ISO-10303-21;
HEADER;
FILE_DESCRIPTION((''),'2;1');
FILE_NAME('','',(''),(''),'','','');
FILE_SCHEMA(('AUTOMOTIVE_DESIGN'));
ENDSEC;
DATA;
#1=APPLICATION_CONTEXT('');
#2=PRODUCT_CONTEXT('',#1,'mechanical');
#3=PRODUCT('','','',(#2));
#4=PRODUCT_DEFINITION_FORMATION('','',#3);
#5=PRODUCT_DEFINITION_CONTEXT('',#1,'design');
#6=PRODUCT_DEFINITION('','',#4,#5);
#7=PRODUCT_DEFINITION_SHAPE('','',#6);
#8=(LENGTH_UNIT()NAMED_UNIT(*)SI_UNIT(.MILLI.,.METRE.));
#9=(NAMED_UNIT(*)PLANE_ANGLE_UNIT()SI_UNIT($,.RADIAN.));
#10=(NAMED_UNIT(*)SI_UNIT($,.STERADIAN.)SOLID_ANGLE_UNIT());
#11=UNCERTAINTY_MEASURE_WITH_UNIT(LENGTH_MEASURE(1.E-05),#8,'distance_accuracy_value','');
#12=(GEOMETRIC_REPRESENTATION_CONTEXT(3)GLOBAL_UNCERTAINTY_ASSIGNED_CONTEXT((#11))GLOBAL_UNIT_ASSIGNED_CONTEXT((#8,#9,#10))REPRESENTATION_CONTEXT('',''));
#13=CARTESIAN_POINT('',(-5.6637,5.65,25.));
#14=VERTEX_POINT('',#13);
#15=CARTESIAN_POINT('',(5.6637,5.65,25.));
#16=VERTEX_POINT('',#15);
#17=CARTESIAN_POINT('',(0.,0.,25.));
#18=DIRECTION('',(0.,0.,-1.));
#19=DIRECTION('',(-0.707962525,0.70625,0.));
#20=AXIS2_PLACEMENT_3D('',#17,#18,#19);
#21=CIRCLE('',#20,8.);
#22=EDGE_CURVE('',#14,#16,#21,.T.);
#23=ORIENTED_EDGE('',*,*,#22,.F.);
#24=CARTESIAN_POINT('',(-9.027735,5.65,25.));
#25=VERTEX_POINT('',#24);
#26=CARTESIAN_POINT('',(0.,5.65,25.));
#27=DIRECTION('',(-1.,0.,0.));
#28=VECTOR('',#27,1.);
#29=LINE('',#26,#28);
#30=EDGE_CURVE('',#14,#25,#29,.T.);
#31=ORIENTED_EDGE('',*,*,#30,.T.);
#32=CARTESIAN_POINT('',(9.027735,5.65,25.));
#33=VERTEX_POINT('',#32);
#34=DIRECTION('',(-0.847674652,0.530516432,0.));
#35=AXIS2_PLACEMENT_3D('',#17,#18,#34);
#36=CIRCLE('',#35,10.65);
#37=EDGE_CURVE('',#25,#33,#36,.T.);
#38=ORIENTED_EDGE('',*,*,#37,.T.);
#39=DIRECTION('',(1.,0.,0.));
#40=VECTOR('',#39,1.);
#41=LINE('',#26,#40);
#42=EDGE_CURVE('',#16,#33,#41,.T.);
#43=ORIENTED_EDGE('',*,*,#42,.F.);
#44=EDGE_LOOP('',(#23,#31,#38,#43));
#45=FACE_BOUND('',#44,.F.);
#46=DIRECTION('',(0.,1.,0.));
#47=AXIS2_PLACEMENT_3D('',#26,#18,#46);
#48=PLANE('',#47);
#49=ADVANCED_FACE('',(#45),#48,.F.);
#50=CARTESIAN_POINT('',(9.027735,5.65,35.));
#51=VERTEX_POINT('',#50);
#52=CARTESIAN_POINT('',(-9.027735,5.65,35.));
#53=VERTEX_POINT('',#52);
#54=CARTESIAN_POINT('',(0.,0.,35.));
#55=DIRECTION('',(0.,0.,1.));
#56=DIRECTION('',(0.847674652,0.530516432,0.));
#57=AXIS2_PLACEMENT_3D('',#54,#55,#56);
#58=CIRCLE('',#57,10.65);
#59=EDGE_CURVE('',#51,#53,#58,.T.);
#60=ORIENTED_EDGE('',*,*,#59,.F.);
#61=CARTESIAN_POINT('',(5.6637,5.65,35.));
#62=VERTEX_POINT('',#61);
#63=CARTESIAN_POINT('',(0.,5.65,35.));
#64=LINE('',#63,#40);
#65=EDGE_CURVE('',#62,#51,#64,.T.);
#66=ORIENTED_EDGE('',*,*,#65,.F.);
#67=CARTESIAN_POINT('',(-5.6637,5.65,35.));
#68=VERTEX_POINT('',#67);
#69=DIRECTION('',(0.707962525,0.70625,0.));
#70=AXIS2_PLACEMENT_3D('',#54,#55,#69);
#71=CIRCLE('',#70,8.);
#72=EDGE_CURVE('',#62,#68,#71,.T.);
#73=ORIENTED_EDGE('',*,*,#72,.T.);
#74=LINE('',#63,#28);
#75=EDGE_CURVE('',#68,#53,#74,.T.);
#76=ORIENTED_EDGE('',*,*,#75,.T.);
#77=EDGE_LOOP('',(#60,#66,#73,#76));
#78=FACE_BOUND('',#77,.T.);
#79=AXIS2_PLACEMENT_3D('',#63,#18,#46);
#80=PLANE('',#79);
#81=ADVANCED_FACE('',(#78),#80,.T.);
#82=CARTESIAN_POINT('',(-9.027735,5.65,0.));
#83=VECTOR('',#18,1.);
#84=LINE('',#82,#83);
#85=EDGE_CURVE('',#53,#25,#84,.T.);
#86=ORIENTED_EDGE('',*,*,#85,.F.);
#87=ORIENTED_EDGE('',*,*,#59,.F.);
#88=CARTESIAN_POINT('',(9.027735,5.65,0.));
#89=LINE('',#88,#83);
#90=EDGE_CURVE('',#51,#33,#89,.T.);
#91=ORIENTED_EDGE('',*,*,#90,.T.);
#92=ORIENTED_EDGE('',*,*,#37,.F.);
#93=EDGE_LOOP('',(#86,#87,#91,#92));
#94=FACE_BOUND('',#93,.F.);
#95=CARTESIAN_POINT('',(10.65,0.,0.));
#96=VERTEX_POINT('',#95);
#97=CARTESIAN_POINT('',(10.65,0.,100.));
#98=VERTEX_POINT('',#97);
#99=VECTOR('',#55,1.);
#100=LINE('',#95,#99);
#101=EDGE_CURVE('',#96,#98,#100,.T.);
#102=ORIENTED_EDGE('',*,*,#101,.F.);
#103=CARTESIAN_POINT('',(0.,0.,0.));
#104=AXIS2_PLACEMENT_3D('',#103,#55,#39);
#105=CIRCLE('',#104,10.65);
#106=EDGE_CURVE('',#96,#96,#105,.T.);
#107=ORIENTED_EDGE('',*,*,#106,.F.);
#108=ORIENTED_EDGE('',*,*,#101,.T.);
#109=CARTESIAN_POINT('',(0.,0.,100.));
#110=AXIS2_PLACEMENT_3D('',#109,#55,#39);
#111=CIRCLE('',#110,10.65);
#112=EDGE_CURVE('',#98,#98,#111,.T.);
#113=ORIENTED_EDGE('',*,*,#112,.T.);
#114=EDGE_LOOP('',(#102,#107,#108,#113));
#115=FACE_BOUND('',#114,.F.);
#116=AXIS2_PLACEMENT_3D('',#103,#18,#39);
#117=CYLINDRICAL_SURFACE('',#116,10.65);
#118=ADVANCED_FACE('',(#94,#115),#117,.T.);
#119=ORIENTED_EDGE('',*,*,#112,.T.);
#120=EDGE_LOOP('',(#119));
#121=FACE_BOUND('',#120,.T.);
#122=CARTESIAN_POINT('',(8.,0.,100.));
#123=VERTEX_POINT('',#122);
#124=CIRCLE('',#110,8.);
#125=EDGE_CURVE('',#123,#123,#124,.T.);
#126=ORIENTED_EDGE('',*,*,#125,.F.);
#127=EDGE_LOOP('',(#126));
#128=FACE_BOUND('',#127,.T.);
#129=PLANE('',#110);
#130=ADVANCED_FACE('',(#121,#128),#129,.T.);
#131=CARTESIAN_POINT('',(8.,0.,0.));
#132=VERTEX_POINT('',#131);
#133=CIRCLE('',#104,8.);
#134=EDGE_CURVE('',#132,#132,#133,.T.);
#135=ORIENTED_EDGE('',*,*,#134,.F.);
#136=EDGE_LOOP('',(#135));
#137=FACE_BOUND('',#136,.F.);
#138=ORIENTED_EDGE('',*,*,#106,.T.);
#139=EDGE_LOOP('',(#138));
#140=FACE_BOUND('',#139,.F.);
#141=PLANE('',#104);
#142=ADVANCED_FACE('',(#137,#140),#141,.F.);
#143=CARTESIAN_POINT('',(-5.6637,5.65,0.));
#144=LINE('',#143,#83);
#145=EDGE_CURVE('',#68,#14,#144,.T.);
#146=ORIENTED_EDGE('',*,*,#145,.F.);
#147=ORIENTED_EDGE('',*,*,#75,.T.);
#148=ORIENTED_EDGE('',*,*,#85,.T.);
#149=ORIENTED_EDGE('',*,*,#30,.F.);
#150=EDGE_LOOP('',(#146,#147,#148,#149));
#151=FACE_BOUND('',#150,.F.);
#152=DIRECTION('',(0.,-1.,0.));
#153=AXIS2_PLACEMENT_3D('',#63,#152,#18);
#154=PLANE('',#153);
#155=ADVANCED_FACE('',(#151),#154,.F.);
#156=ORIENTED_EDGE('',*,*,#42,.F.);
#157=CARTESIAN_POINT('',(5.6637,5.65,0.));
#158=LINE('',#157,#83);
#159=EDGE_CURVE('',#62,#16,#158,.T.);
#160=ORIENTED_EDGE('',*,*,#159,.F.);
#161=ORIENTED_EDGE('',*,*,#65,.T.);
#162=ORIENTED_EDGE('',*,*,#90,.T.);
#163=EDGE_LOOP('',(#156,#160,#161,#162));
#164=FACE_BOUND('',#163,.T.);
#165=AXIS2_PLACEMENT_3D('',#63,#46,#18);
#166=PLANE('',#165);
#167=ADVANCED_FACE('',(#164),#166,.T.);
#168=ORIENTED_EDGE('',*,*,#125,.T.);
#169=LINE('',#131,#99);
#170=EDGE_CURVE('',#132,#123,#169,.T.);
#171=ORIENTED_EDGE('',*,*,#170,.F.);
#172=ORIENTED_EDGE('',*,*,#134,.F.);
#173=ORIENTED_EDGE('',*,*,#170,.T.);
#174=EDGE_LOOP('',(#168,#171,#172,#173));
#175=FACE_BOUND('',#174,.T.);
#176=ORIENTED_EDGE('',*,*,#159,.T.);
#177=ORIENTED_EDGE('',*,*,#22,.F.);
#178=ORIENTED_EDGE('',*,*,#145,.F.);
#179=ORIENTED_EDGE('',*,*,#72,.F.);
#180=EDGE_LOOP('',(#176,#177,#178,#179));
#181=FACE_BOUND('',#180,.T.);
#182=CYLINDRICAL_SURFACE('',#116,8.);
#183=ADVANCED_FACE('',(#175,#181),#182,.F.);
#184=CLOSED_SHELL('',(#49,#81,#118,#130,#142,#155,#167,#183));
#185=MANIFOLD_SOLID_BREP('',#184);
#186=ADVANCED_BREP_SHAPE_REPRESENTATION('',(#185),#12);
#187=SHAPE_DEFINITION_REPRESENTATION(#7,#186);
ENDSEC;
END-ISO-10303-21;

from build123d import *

# Parameters (mm, degrees)
SKIZZE1_R                            = 10.65
SKIZZE1_R_2                          = 8
AUFSATZ_LINEAR_AUSTRAGEN1_DEPTH      = 100
SCHNITT_LINEAR_AUSTRAGEN1_DEPTH      = 10
SCHNITT_LINEAR_AUSTRAGEN1_DEPTH_BACK = 10
SKIZZE2_W                            = 10
SKIZZE2_H                            = 5


with BuildPart() as part:
    # Skizze1 → Aufsatz-Linear austragen1 (new body)
    with BuildSketch(Plane.XY):
        Circle(SKIZZE1_R)
        Circle(SKIZZE1_R_2, mode=Mode.SUBTRACT)
    extrude(amount=AUFSATZ_LINEAR_AUSTRAGEN1_DEPTH)

    # Skizze2 → Schnitt-Linear austragen1 (cut, two sides: drawn at the far end of the back side and taken through both)
    with BuildSketch(Plane(origin=(0, 0, 0), x_dir=(0, 0, -1), z_dir=(1, 0, 0)).offset(-SCHNITT_LINEAR_AUSTRAGEN1_DEPTH_BACK)):
        with Locations((-30, 8.15)):
            Rectangle(SKIZZE2_W, SKIZZE2_H)
    extrude(amount=SCHNITT_LINEAR_AUSTRAGEN1_DEPTH + SCHNITT_LINEAR_AUSTRAGEN1_DEPTH_BACK, mode=Mode.SUBTRACT)


solid = part.part
